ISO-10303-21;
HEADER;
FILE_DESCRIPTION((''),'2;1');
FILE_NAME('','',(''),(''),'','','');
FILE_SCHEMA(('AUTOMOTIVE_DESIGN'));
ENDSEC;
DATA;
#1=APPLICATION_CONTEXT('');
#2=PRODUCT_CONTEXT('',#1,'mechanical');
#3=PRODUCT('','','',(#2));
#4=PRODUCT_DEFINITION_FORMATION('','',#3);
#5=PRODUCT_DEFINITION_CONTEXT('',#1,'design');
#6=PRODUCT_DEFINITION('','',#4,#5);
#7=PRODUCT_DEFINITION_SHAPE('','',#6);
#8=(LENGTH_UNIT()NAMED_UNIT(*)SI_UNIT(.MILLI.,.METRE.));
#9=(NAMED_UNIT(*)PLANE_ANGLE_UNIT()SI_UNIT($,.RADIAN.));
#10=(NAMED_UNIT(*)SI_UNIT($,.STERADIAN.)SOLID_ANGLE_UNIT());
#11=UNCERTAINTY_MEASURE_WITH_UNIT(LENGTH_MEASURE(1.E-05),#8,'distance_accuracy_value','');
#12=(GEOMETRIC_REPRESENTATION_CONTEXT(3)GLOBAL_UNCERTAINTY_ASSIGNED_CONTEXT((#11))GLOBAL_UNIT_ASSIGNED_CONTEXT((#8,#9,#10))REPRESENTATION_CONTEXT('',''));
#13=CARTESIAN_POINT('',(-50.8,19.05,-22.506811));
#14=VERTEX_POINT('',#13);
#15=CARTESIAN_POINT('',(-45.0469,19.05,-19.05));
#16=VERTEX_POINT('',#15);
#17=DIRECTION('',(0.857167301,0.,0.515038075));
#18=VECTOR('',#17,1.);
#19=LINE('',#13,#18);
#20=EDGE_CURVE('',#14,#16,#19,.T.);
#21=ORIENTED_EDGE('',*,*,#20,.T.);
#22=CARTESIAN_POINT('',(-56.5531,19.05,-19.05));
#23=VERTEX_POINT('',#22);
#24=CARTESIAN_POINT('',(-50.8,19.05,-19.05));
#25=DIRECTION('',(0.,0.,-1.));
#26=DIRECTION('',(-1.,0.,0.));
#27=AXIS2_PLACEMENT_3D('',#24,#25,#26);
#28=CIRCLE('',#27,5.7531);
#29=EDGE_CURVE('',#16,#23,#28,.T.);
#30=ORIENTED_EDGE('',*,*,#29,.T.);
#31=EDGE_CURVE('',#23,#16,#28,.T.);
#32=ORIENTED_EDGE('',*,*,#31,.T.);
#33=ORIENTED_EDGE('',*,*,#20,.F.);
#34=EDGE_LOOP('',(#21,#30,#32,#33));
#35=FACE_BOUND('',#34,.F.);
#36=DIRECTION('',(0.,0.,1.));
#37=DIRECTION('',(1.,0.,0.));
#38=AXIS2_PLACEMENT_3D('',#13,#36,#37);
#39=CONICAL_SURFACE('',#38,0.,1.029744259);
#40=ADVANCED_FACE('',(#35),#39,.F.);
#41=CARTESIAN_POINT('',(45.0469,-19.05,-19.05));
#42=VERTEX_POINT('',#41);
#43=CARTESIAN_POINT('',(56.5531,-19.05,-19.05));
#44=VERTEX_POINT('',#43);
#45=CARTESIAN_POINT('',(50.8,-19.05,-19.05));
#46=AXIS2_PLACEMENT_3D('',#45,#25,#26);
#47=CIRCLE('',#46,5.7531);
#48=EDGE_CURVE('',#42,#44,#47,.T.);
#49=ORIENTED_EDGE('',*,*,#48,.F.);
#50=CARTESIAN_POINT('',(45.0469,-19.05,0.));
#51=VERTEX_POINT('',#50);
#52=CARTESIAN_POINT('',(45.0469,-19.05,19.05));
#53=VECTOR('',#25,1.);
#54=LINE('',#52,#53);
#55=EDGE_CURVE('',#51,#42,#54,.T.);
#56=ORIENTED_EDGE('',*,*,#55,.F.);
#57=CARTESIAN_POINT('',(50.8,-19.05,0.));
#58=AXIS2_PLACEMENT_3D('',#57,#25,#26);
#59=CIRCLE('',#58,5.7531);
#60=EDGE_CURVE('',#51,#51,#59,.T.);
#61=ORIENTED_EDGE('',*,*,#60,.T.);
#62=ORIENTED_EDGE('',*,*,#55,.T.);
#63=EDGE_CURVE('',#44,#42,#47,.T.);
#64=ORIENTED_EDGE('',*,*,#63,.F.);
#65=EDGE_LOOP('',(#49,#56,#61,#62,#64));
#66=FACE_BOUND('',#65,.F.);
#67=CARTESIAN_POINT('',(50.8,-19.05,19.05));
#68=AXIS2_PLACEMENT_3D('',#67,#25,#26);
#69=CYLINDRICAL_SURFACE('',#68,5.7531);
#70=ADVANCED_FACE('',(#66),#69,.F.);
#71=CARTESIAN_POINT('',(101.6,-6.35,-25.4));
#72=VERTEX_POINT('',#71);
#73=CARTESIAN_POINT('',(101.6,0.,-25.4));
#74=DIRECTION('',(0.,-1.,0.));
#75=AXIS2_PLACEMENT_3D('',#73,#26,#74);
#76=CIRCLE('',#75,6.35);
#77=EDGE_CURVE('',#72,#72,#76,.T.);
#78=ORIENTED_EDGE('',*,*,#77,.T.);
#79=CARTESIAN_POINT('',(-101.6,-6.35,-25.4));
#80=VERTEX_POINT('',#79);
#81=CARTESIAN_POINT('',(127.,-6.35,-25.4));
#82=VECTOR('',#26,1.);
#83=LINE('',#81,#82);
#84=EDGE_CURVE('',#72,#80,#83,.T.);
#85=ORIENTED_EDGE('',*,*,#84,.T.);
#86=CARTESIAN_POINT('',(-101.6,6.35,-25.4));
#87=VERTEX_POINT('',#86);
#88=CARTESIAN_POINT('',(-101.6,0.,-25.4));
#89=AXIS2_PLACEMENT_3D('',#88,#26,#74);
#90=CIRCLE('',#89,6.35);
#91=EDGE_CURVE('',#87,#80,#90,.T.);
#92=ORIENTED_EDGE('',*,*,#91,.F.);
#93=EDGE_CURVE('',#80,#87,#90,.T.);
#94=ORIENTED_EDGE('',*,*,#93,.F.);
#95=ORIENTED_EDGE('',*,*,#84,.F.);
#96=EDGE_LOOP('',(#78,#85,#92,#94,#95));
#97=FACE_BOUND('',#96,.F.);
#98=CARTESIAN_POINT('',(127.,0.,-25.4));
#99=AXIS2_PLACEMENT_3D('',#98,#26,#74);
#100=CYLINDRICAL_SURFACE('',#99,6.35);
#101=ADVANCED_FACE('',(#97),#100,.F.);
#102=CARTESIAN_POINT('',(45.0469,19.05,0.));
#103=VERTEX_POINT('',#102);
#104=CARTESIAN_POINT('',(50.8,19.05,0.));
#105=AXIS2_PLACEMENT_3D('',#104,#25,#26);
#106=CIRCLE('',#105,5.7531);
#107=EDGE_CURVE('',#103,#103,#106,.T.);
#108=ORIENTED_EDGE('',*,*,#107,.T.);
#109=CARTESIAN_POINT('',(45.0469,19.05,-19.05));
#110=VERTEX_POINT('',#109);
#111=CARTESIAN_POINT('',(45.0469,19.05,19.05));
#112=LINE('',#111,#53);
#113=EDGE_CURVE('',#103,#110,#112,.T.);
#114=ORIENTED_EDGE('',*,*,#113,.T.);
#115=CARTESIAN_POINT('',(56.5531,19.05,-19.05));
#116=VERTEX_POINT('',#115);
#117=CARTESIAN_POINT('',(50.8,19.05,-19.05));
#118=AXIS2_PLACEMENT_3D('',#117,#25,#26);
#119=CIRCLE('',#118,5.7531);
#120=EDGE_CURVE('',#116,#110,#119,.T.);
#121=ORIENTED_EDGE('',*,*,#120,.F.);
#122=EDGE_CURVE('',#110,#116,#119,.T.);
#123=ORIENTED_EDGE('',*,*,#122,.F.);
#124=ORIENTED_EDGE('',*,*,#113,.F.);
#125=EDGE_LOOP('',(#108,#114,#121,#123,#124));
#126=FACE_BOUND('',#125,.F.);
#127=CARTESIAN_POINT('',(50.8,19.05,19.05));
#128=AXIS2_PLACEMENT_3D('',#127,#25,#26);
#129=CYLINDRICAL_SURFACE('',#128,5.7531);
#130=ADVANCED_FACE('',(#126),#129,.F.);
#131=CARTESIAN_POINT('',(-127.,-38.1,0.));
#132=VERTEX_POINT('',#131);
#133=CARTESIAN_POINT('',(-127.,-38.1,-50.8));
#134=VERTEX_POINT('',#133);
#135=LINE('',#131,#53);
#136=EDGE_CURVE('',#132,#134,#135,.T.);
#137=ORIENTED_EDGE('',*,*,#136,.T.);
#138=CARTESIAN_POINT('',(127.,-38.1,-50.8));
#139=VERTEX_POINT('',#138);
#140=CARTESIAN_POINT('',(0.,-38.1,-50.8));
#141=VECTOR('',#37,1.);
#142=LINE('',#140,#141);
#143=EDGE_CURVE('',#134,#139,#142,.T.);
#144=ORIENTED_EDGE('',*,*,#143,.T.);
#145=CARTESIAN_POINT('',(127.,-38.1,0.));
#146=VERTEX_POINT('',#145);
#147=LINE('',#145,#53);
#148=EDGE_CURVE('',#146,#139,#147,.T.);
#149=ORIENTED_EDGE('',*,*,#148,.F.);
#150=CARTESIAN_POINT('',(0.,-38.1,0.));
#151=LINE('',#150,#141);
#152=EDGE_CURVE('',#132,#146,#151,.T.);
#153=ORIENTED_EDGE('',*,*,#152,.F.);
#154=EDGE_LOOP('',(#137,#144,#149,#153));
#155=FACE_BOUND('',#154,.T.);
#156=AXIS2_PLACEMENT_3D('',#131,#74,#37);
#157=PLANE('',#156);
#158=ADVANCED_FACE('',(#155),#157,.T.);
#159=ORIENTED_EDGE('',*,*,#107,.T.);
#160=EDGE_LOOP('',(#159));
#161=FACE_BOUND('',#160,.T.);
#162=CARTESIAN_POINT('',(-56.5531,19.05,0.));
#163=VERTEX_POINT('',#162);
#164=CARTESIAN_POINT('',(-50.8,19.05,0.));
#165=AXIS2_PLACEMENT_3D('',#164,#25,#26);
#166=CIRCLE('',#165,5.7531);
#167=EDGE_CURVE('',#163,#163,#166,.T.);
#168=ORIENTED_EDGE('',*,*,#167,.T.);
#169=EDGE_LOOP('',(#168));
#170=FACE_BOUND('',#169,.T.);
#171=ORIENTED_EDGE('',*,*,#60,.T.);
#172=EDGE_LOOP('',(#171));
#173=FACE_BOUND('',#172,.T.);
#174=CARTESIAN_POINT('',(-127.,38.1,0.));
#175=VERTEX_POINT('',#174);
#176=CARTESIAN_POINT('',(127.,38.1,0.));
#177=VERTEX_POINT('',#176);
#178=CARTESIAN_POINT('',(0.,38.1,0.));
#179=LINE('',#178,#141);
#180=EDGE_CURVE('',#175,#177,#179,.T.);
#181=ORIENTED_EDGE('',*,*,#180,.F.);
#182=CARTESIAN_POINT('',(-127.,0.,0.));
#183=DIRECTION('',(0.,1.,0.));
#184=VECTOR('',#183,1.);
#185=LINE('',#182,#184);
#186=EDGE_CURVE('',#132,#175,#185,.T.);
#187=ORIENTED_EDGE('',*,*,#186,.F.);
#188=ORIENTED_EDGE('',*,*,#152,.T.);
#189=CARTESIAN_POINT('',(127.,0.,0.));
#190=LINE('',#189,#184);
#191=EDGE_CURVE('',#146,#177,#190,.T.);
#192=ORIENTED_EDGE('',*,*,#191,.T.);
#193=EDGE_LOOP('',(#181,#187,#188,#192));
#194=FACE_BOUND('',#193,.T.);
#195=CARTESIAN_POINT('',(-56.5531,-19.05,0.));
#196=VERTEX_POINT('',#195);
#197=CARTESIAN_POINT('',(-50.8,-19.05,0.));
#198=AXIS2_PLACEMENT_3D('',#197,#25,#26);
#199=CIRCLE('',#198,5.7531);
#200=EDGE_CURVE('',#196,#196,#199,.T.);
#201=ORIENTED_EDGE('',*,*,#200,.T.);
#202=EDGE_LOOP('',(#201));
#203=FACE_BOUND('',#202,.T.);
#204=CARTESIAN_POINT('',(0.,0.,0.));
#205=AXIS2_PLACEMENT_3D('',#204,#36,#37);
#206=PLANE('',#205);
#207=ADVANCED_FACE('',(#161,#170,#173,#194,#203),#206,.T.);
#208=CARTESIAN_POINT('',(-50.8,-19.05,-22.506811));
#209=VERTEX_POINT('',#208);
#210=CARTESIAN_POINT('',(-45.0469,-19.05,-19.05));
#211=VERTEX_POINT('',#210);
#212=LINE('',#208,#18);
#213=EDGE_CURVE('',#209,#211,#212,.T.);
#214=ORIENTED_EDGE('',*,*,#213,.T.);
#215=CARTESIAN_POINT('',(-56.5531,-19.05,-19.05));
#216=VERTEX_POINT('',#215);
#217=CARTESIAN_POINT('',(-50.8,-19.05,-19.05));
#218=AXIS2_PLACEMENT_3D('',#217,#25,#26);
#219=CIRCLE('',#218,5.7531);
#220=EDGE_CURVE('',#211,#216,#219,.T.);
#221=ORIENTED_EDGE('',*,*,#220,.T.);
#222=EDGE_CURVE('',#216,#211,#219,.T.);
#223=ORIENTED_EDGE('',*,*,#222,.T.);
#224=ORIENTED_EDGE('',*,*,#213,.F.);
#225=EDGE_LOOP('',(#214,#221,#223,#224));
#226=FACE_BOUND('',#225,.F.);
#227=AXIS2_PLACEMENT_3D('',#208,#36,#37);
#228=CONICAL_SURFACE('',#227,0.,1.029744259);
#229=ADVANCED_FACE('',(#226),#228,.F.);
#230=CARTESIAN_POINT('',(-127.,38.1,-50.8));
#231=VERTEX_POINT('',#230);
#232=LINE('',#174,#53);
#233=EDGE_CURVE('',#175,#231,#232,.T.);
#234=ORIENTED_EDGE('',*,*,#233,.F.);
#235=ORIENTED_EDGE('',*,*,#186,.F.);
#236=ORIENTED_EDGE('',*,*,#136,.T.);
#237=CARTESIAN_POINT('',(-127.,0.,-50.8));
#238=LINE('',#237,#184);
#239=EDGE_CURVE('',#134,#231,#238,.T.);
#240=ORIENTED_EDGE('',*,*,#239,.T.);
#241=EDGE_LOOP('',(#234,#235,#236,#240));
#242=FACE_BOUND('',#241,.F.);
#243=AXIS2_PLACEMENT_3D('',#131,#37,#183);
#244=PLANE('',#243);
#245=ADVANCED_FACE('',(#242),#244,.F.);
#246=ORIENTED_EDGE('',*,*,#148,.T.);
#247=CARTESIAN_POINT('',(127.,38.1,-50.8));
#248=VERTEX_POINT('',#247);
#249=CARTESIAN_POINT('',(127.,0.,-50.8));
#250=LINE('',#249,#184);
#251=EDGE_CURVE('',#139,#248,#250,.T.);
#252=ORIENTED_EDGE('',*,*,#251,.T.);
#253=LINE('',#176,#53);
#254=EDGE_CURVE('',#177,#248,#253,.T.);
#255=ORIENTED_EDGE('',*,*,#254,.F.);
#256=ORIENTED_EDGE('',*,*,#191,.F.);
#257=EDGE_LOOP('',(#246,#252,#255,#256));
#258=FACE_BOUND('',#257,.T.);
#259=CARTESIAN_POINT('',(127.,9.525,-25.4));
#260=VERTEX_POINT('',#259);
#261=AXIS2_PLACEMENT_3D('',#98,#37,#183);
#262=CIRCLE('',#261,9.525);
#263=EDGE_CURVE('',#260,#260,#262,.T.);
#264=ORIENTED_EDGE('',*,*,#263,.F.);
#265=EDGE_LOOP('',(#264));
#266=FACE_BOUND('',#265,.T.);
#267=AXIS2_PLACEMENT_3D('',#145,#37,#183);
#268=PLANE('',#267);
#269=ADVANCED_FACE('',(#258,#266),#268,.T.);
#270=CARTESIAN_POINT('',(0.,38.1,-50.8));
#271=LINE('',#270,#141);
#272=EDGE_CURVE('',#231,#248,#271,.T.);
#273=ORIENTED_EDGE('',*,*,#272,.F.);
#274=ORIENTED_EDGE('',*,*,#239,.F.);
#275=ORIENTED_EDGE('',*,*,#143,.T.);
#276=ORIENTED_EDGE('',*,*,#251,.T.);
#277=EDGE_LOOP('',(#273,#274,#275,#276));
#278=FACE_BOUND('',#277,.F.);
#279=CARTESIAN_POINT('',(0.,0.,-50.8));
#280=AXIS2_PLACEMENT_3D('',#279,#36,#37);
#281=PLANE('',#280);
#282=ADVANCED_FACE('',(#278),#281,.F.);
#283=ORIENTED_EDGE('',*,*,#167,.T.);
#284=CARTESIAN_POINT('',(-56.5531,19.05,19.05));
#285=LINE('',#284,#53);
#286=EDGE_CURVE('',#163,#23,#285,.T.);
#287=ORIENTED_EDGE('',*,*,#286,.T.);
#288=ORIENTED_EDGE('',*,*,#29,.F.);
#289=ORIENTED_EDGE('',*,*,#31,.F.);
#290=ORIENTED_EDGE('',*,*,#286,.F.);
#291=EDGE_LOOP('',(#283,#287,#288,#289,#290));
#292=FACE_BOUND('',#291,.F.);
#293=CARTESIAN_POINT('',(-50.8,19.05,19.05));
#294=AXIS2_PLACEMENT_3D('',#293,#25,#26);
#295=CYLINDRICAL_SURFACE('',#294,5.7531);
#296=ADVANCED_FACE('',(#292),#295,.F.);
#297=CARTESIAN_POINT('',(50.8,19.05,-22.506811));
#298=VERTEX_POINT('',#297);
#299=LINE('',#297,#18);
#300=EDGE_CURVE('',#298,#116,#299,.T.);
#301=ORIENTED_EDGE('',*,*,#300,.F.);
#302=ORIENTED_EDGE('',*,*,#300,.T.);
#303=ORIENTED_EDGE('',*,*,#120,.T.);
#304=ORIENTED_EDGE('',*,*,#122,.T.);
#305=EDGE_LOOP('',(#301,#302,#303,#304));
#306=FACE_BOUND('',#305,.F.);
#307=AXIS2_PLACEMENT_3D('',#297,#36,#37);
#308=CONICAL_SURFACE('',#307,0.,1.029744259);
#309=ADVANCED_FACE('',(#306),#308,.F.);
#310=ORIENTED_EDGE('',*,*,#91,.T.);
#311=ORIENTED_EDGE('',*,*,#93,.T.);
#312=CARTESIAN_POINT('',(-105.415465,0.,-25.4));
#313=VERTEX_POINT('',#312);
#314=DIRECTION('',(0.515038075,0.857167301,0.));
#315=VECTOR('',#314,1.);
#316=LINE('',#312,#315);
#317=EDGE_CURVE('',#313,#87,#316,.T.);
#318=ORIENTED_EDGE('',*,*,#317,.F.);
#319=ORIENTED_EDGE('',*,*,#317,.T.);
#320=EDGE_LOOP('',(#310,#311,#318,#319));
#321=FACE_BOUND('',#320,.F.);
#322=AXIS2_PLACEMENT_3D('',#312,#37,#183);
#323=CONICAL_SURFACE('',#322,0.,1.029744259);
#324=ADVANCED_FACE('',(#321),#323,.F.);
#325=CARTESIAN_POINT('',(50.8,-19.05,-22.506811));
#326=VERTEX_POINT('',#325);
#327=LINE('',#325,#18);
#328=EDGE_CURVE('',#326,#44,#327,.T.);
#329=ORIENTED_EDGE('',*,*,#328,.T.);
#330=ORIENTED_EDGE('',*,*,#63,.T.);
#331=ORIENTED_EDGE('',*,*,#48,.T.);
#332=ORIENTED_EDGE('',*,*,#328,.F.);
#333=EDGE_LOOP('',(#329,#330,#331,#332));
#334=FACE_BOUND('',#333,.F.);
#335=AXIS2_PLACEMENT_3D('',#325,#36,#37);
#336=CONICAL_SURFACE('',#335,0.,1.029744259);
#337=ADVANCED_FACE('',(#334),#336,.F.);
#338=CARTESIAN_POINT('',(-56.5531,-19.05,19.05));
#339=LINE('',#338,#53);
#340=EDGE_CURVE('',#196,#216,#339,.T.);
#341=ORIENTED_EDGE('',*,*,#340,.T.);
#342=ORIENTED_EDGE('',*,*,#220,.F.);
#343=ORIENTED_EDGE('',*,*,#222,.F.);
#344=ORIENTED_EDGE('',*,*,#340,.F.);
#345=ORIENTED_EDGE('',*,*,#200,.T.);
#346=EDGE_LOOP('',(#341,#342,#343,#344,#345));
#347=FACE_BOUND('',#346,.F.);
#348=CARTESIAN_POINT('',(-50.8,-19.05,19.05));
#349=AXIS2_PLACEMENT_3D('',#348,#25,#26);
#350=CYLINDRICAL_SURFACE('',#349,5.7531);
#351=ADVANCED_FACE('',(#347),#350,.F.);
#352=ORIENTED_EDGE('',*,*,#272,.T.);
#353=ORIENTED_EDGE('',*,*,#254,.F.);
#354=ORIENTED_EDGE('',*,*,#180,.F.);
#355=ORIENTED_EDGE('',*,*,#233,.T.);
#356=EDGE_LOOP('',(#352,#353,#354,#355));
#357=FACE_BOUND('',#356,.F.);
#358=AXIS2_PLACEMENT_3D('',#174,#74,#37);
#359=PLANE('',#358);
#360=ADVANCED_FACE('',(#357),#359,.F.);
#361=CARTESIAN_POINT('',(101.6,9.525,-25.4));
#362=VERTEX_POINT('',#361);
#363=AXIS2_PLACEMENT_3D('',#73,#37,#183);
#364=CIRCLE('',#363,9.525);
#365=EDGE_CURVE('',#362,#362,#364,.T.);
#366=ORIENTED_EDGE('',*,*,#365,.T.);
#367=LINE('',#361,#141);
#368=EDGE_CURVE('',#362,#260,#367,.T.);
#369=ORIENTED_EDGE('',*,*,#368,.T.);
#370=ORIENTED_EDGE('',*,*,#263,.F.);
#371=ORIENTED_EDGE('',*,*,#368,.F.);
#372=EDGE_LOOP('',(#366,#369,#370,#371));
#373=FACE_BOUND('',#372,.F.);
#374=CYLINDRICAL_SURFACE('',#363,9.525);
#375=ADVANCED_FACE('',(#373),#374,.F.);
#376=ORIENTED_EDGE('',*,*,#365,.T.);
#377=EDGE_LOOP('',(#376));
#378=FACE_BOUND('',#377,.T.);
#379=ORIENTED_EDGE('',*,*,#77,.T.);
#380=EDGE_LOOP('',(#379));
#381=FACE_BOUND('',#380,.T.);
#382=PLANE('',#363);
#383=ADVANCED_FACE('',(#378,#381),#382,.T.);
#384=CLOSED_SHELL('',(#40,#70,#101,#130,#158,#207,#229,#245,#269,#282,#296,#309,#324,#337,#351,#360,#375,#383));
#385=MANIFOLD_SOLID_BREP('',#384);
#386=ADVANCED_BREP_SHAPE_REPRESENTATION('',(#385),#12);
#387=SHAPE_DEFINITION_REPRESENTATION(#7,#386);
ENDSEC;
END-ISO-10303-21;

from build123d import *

# Parameters (mm, degrees)
F0_W           = 254
F0_H           = 76.2
F1_DEPTH       = 50.8
F2_D           = 11.5062
F2_DEPTH       = 19.05
F2_TIP         = 3.4568112273
F4_D           = 12.7
F4_DEPTH       = 228.6
F4_CBORE_D     = 19.05
F4_CBORE_DEPTH = 25.4
F4_TIP         = 3.8154649308


with BuildPart() as f1:
    # F0 (on Top) → F1 (new body)
    with BuildSketch(Plane.XY):
        Rectangle(F0_W, F0_H)
    extrude(amount=-F1_DEPTH)

    # F2
    with Locations(Plane.XY):
        with Locations((-50.8, 19.05), (50.8, 19.05), (50.8, -19.05), (-50.8, -19.05)):
            Hole(F2_D / 2, depth=F2_DEPTH)
            with Locations((0, 0, -(F2_DEPTH + F2_TIP / 2))):  # 118° drill point
                Cone(0, F2_D / 2, F2_TIP, mode=Mode.SUBTRACT)

    # F4
    with Locations(Plane.YZ.offset(127)):
        with Locations((0, -25.4)):
            CounterBoreHole(F4_D / 2, F4_CBORE_D / 2, F4_CBORE_DEPTH, depth=F4_DEPTH)
            with Locations((0, 0, -(F4_DEPTH + F4_TIP / 2))):  # 118° drill point
                Cone(0, F4_D / 2, F4_TIP, mode=Mode.SUBTRACT)


solid = f1.part
